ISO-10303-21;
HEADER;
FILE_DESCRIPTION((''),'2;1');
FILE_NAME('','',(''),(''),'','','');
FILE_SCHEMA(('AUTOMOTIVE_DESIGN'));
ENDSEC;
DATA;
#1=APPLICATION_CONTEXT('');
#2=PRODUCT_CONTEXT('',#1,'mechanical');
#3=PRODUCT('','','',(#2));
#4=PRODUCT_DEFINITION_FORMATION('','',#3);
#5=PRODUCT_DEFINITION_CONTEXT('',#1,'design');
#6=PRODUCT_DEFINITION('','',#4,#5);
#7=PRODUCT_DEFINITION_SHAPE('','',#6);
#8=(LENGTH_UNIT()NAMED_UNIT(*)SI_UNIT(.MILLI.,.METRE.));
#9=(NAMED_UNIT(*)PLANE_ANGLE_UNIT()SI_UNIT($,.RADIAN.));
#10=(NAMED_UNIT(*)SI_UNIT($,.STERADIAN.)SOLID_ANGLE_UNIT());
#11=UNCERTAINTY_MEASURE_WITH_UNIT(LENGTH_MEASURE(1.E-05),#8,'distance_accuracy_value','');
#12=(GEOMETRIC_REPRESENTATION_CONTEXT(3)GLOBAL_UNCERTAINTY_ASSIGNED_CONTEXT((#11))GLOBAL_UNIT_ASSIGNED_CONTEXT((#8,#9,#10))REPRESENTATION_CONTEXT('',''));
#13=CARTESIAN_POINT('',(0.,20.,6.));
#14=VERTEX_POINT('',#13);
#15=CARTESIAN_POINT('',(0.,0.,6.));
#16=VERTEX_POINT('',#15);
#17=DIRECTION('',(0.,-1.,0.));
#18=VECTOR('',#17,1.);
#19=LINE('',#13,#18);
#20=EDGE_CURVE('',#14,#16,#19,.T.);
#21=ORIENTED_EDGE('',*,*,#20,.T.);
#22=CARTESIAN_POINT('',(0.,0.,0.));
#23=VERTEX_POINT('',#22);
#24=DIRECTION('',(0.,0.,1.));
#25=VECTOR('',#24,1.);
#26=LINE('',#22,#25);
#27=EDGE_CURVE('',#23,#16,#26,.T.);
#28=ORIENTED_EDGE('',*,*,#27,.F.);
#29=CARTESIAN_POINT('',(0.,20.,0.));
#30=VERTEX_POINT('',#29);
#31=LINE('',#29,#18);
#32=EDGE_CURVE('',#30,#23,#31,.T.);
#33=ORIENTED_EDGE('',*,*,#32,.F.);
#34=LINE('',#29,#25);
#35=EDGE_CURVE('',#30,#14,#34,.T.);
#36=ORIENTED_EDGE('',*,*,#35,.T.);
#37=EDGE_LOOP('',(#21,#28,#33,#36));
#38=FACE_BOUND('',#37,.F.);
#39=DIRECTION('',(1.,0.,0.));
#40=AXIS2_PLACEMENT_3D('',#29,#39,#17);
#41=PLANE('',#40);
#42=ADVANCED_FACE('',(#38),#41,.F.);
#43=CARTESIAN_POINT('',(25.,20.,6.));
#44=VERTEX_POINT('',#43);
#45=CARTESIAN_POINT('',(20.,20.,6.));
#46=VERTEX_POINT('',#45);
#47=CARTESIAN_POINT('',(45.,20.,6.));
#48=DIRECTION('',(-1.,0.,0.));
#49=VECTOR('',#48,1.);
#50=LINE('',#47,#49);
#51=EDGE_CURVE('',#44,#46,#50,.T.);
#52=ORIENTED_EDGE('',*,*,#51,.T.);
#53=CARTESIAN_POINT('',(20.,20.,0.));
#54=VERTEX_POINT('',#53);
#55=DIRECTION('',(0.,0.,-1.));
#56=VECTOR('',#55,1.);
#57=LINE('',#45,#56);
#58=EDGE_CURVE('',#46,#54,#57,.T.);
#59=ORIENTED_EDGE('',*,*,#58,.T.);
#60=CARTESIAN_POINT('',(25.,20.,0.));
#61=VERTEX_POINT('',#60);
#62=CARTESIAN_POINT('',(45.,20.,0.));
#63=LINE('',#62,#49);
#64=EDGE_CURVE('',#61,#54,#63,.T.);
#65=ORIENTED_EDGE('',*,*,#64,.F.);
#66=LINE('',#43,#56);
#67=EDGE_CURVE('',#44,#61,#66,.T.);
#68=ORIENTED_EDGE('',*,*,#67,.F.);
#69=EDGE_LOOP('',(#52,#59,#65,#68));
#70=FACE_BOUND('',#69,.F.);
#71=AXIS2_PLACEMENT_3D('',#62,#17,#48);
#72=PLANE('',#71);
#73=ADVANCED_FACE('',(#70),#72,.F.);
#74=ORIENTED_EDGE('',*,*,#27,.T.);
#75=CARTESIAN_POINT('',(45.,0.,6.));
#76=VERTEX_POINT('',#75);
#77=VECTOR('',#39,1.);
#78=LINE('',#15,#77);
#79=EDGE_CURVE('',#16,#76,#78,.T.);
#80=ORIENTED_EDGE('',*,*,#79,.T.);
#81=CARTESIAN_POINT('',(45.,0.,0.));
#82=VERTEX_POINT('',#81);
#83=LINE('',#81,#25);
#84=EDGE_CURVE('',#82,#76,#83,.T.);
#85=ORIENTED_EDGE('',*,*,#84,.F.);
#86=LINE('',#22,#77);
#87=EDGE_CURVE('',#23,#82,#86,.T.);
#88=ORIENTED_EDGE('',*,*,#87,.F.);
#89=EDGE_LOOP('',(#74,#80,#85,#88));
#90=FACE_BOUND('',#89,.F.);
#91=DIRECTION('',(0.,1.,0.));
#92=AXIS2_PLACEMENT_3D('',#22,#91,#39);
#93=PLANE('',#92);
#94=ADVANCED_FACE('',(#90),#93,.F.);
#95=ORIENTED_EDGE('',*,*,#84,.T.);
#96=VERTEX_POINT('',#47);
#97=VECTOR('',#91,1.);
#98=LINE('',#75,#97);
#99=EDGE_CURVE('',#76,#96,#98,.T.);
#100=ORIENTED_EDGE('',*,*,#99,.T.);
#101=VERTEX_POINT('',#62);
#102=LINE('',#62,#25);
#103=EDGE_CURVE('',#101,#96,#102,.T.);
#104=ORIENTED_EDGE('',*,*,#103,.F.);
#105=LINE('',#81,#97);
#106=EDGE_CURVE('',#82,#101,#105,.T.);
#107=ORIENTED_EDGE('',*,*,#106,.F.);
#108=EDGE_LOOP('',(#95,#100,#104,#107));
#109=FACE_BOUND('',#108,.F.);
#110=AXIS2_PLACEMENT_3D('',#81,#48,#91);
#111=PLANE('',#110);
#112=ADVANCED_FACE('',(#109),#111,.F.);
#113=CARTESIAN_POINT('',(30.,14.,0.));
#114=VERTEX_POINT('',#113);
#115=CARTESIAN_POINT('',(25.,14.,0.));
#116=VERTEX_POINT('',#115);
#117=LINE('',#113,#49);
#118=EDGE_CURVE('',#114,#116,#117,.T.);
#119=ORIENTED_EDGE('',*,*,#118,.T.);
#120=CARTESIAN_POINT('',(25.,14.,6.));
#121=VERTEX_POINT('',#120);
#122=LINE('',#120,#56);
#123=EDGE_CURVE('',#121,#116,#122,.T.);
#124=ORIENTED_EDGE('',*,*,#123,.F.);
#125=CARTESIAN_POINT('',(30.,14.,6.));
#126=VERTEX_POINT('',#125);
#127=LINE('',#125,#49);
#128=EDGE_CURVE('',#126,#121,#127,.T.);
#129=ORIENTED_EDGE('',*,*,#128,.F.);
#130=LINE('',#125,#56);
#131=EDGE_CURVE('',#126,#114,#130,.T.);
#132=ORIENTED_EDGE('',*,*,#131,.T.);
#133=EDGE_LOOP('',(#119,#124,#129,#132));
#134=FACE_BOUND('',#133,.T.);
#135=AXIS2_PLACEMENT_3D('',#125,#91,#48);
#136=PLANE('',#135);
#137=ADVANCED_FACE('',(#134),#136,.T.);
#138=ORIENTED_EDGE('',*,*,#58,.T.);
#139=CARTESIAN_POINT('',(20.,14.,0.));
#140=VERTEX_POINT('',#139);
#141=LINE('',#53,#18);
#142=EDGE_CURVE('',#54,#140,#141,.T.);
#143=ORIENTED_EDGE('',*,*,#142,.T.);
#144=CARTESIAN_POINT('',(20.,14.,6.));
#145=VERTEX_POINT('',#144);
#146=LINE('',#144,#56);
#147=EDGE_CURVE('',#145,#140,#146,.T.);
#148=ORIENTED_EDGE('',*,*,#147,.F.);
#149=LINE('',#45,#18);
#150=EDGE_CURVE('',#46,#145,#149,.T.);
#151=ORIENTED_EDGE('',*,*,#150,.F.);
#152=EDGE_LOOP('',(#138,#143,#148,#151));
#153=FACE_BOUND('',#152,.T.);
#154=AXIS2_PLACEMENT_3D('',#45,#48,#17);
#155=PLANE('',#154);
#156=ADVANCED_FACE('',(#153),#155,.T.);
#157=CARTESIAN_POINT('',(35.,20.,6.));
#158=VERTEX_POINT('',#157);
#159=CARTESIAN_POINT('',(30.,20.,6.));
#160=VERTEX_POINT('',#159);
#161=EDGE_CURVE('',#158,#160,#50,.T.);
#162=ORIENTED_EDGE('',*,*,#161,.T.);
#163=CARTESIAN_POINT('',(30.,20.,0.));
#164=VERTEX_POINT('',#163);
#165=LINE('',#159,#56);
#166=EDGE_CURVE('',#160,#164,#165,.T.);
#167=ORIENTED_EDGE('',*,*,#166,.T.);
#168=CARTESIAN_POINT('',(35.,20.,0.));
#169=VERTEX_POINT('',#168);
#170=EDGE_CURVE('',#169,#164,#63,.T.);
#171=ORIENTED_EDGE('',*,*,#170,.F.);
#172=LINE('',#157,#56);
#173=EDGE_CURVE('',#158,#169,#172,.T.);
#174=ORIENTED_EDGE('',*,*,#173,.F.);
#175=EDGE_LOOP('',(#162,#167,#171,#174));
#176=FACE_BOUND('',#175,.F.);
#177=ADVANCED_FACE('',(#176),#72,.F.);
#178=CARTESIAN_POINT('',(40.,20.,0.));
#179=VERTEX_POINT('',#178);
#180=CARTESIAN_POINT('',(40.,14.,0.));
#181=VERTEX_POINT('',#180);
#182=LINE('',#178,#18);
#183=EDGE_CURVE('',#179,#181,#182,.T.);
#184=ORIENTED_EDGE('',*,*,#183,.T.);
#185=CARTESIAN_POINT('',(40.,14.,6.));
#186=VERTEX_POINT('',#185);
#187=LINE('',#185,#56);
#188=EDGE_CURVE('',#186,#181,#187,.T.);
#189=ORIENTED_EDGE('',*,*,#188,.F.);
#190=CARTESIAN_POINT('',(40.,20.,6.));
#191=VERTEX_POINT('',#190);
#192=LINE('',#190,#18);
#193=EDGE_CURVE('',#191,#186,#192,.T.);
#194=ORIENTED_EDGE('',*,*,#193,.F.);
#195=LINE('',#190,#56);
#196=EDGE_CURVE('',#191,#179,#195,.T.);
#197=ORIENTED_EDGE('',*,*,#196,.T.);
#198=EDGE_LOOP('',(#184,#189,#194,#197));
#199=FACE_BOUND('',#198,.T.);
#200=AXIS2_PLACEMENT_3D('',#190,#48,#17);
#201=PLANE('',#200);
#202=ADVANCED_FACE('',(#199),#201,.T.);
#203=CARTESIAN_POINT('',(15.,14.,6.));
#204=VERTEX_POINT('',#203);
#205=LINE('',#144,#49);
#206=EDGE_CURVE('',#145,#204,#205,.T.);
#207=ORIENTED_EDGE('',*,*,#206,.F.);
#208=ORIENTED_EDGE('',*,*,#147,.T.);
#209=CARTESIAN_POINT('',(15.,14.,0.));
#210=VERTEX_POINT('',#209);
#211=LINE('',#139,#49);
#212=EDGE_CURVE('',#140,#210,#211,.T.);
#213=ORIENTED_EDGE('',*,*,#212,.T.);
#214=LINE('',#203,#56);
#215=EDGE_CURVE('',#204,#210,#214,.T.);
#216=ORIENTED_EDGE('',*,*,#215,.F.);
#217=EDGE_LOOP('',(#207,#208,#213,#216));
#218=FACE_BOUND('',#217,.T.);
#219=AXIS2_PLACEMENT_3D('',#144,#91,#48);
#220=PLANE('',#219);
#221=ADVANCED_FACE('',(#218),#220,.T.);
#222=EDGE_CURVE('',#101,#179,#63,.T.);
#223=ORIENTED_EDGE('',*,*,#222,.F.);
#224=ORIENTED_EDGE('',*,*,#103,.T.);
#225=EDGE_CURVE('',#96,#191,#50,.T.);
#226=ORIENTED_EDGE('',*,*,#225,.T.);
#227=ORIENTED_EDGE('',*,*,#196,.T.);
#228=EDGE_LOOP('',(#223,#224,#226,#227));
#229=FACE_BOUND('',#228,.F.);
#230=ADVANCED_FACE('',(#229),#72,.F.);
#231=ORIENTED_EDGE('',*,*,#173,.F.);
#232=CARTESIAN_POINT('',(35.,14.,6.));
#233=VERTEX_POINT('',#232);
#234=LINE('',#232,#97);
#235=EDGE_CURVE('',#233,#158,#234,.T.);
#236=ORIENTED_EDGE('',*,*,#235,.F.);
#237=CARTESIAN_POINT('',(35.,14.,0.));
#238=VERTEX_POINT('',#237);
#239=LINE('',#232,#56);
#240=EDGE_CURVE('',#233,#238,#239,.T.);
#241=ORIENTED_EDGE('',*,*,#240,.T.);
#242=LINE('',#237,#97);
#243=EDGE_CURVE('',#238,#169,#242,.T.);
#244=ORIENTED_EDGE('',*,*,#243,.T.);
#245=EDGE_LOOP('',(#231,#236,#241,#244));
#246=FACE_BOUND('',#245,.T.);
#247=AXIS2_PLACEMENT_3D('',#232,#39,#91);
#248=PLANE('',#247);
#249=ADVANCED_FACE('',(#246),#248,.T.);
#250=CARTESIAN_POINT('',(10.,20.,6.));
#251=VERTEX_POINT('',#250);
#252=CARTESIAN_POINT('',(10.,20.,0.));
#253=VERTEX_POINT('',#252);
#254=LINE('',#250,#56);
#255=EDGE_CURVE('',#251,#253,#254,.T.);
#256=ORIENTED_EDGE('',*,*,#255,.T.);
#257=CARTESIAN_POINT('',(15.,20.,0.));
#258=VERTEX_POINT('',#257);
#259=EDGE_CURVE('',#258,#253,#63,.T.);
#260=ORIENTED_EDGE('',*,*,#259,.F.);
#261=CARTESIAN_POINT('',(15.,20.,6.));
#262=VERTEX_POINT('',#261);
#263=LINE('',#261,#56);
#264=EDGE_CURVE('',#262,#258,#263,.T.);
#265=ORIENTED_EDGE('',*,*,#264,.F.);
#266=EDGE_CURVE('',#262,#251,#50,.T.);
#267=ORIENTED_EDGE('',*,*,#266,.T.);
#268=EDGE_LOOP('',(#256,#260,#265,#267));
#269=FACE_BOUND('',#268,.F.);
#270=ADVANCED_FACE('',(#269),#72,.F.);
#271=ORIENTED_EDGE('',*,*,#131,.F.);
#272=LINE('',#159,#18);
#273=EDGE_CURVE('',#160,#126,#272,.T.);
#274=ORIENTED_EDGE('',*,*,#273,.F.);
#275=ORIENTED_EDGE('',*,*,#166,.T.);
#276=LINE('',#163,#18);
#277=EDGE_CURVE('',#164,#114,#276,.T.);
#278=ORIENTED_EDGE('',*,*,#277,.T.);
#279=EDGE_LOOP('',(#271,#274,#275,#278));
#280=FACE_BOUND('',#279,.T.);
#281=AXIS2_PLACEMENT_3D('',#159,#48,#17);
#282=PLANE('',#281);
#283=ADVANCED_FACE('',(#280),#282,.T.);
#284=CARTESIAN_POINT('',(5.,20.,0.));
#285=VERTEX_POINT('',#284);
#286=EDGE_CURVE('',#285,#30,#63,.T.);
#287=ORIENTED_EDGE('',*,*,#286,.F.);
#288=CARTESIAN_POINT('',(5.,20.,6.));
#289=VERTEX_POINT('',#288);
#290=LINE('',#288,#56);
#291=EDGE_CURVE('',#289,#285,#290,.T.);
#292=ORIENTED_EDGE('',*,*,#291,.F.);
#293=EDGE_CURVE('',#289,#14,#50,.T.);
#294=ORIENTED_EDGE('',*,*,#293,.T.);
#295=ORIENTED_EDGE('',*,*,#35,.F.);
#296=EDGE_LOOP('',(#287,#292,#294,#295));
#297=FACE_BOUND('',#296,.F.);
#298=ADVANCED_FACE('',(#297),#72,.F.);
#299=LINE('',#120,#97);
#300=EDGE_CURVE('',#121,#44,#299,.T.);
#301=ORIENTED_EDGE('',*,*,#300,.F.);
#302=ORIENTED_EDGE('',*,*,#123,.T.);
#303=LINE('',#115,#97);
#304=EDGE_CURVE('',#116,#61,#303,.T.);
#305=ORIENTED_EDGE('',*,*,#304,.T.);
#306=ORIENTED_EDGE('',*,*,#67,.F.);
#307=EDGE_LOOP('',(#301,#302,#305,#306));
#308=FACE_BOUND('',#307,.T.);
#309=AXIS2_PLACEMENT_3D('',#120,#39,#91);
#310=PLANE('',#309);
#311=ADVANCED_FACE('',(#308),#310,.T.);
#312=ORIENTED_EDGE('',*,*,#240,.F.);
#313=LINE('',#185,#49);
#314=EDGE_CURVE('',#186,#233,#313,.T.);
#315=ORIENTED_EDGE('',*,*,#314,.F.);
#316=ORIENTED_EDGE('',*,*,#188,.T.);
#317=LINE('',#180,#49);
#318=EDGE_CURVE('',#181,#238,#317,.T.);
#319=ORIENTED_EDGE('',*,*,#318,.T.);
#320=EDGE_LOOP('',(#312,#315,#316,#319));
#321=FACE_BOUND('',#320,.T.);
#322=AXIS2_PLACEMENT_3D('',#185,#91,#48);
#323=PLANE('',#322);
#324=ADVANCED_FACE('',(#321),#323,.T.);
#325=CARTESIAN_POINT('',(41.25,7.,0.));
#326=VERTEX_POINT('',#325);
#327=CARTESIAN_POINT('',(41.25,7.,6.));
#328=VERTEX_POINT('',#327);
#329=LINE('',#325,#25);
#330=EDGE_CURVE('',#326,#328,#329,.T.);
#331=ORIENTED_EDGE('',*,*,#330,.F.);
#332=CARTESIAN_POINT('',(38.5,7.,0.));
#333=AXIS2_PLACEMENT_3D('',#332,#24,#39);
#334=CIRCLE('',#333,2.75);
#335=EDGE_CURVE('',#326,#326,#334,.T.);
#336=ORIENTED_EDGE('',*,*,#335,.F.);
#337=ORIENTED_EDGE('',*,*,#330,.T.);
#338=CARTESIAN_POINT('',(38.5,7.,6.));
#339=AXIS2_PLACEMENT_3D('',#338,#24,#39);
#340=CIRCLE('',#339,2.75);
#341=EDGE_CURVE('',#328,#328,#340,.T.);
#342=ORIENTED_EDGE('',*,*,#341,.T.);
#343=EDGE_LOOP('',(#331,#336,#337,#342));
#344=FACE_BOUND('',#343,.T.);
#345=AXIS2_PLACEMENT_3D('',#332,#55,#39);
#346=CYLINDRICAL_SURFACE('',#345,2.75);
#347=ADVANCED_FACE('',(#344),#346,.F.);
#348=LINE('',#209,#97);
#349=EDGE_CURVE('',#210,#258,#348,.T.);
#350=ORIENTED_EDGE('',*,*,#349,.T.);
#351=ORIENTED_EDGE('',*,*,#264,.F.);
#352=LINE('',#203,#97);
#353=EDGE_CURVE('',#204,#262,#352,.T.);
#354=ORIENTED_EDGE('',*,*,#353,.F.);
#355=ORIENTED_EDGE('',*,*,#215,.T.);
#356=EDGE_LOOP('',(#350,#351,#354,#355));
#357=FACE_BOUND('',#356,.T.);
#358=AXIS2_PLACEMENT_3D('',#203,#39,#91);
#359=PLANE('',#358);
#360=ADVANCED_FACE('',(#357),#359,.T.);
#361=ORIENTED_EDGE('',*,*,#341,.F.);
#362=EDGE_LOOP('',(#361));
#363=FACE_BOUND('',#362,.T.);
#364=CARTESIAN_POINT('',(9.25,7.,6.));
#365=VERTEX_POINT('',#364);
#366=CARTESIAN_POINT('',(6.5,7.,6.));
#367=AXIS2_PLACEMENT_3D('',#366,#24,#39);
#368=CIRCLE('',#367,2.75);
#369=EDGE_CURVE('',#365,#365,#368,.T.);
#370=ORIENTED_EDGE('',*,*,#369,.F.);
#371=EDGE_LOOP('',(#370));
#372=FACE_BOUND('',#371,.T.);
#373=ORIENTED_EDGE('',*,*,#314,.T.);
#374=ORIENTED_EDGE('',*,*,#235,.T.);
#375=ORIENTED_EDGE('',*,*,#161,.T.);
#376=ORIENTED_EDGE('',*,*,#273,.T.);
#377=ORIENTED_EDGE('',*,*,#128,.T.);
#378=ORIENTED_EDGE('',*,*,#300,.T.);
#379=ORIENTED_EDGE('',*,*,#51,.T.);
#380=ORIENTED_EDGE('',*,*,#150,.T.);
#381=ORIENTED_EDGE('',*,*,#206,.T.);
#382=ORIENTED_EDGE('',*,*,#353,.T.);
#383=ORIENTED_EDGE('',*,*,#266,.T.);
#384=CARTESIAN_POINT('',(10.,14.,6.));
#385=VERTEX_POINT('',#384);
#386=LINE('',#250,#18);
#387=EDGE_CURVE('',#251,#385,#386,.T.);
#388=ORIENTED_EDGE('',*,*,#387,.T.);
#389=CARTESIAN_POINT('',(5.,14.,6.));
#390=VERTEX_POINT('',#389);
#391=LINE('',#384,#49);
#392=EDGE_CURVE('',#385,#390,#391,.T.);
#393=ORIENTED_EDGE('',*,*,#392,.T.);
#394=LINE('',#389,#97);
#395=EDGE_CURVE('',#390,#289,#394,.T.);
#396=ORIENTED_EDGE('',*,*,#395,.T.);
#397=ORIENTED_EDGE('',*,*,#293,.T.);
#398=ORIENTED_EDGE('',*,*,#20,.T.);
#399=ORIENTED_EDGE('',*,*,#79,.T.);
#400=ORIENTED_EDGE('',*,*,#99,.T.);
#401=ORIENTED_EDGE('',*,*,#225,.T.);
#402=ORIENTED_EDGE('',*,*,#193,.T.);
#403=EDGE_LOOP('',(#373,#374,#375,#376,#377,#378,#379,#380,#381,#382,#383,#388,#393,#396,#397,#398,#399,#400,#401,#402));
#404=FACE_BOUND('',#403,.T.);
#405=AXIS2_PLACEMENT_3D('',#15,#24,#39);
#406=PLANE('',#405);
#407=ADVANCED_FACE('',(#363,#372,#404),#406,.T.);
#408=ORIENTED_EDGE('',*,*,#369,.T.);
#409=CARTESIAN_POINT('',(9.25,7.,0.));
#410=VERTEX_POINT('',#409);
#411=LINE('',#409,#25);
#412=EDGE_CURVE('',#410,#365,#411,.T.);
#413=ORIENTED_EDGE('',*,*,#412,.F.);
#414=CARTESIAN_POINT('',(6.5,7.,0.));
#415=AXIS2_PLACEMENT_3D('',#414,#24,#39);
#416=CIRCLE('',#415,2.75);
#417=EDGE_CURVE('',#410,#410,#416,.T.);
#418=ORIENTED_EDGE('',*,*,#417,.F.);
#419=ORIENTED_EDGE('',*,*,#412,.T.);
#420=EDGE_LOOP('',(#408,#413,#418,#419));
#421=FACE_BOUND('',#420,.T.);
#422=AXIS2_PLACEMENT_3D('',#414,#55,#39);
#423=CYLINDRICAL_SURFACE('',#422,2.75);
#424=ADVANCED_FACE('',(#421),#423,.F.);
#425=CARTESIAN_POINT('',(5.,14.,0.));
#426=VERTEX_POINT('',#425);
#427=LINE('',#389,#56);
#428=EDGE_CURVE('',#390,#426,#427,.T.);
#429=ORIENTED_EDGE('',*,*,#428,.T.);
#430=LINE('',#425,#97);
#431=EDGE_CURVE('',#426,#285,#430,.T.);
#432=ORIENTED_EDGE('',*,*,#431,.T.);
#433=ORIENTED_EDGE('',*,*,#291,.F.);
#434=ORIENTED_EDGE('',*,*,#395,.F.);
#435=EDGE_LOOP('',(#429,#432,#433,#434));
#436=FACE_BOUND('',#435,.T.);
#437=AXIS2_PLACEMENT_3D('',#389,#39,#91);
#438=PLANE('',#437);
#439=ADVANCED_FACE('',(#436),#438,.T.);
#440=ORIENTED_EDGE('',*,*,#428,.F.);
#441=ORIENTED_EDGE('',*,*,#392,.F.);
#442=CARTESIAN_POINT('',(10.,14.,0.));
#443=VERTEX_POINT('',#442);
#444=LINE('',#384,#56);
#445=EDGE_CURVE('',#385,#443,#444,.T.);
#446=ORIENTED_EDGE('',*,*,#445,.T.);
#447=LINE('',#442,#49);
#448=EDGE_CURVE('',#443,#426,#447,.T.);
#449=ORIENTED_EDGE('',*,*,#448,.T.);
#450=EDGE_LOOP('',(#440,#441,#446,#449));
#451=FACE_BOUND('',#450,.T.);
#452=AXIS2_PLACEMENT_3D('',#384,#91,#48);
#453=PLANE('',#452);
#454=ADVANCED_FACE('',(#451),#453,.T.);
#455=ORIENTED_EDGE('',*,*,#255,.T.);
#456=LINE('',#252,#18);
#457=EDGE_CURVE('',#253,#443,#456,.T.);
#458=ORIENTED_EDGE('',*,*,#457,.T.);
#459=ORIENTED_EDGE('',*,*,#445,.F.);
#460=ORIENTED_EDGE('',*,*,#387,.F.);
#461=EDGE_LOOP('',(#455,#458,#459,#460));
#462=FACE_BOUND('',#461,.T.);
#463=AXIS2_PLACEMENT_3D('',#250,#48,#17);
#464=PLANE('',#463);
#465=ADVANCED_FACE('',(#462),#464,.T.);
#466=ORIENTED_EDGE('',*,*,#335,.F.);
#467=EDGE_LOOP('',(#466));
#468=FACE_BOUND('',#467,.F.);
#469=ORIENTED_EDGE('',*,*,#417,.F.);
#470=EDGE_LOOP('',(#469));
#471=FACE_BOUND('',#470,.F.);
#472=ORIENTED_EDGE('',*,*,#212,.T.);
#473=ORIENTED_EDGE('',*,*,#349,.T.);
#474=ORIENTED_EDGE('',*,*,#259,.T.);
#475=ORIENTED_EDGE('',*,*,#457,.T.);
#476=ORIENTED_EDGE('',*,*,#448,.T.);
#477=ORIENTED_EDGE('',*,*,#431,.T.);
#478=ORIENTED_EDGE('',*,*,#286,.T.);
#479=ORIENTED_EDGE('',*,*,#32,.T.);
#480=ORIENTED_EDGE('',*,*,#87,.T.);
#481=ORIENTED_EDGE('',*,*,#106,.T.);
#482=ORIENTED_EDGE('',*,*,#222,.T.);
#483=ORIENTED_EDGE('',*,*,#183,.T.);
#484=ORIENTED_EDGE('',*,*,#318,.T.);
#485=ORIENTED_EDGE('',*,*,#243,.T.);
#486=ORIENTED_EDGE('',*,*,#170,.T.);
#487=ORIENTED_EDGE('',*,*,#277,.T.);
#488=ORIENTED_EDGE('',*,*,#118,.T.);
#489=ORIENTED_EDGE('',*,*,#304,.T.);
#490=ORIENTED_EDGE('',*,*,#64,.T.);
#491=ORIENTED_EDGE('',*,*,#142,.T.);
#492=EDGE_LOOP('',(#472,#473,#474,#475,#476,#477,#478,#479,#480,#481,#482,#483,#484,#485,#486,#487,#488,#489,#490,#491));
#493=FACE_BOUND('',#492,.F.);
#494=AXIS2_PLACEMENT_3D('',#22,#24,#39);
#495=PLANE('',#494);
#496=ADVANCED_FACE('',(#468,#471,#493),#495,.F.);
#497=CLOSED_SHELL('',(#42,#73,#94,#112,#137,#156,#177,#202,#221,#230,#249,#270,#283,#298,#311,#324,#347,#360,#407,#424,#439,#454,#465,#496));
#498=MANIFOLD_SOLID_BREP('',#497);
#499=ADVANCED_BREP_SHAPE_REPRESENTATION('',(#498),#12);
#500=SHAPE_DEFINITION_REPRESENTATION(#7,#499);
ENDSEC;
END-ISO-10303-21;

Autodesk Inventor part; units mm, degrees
ref_plane "YZ Plane" through (0, 0, 0) normal (1, 0, 0) x (0, 1, 0)
ref_plane "XZ Plane" through (0, 0, 0) normal (0, 1, 0) x (-1, 0, 0)
ref_plane "XY Plane" through (0, 0, 0) normal (0, 0, 1) x (1, 0, 0)
sketch "Sketch1" plane through (0, 0, 0) normal (0, 0, 1) x (1, 0, 0)
  line L0 (0, 0) -> (45, 0)
  line L1 (45, 0) -> (45, 20)
  line L2 (45, 20) -> (0, 20)
  line L3 (0, 20) -> (0, 0)
  circle A0 centre (6.5, 7) radius 2.75
  circle A1 centre (38.5, 7) radius 2.75
  dimension "d0" = 45
  dimension "d1" = 20
  dimension "d5" = 5.5
  dimension "d6" = 5.5
extrude "Extrusion1" add sketch "Sketch1" along normal blind 6
sketch "Sketch2" plane through (0, 0, 6) normal (0, 0, 1) x (1, 0, 0)
  line L0 (45, 20) -> (0, 20) projected
  line L1 (0, 20) -> (5, 20)
  line L2 (5, 20) -> (10, 20)
  line L3 (10, 20) -> (10, 14)
  line L4 (10, 14) -> (5, 14)
  line L5 (5, 14) -> (5, 20)
  point P0 (0, 0)
  dimension "d9" = 5
  dimension "d10" = 5
  dimension "d11" = 6
extrude "Extrusion2" cut sketch "Sketch2" against normal blind 6
pattern_linear "Rectangular Pattern1" count 4 spacing 10 along (1, 0, 0) of "Extrusion2"
properties part number "e_rail support"
